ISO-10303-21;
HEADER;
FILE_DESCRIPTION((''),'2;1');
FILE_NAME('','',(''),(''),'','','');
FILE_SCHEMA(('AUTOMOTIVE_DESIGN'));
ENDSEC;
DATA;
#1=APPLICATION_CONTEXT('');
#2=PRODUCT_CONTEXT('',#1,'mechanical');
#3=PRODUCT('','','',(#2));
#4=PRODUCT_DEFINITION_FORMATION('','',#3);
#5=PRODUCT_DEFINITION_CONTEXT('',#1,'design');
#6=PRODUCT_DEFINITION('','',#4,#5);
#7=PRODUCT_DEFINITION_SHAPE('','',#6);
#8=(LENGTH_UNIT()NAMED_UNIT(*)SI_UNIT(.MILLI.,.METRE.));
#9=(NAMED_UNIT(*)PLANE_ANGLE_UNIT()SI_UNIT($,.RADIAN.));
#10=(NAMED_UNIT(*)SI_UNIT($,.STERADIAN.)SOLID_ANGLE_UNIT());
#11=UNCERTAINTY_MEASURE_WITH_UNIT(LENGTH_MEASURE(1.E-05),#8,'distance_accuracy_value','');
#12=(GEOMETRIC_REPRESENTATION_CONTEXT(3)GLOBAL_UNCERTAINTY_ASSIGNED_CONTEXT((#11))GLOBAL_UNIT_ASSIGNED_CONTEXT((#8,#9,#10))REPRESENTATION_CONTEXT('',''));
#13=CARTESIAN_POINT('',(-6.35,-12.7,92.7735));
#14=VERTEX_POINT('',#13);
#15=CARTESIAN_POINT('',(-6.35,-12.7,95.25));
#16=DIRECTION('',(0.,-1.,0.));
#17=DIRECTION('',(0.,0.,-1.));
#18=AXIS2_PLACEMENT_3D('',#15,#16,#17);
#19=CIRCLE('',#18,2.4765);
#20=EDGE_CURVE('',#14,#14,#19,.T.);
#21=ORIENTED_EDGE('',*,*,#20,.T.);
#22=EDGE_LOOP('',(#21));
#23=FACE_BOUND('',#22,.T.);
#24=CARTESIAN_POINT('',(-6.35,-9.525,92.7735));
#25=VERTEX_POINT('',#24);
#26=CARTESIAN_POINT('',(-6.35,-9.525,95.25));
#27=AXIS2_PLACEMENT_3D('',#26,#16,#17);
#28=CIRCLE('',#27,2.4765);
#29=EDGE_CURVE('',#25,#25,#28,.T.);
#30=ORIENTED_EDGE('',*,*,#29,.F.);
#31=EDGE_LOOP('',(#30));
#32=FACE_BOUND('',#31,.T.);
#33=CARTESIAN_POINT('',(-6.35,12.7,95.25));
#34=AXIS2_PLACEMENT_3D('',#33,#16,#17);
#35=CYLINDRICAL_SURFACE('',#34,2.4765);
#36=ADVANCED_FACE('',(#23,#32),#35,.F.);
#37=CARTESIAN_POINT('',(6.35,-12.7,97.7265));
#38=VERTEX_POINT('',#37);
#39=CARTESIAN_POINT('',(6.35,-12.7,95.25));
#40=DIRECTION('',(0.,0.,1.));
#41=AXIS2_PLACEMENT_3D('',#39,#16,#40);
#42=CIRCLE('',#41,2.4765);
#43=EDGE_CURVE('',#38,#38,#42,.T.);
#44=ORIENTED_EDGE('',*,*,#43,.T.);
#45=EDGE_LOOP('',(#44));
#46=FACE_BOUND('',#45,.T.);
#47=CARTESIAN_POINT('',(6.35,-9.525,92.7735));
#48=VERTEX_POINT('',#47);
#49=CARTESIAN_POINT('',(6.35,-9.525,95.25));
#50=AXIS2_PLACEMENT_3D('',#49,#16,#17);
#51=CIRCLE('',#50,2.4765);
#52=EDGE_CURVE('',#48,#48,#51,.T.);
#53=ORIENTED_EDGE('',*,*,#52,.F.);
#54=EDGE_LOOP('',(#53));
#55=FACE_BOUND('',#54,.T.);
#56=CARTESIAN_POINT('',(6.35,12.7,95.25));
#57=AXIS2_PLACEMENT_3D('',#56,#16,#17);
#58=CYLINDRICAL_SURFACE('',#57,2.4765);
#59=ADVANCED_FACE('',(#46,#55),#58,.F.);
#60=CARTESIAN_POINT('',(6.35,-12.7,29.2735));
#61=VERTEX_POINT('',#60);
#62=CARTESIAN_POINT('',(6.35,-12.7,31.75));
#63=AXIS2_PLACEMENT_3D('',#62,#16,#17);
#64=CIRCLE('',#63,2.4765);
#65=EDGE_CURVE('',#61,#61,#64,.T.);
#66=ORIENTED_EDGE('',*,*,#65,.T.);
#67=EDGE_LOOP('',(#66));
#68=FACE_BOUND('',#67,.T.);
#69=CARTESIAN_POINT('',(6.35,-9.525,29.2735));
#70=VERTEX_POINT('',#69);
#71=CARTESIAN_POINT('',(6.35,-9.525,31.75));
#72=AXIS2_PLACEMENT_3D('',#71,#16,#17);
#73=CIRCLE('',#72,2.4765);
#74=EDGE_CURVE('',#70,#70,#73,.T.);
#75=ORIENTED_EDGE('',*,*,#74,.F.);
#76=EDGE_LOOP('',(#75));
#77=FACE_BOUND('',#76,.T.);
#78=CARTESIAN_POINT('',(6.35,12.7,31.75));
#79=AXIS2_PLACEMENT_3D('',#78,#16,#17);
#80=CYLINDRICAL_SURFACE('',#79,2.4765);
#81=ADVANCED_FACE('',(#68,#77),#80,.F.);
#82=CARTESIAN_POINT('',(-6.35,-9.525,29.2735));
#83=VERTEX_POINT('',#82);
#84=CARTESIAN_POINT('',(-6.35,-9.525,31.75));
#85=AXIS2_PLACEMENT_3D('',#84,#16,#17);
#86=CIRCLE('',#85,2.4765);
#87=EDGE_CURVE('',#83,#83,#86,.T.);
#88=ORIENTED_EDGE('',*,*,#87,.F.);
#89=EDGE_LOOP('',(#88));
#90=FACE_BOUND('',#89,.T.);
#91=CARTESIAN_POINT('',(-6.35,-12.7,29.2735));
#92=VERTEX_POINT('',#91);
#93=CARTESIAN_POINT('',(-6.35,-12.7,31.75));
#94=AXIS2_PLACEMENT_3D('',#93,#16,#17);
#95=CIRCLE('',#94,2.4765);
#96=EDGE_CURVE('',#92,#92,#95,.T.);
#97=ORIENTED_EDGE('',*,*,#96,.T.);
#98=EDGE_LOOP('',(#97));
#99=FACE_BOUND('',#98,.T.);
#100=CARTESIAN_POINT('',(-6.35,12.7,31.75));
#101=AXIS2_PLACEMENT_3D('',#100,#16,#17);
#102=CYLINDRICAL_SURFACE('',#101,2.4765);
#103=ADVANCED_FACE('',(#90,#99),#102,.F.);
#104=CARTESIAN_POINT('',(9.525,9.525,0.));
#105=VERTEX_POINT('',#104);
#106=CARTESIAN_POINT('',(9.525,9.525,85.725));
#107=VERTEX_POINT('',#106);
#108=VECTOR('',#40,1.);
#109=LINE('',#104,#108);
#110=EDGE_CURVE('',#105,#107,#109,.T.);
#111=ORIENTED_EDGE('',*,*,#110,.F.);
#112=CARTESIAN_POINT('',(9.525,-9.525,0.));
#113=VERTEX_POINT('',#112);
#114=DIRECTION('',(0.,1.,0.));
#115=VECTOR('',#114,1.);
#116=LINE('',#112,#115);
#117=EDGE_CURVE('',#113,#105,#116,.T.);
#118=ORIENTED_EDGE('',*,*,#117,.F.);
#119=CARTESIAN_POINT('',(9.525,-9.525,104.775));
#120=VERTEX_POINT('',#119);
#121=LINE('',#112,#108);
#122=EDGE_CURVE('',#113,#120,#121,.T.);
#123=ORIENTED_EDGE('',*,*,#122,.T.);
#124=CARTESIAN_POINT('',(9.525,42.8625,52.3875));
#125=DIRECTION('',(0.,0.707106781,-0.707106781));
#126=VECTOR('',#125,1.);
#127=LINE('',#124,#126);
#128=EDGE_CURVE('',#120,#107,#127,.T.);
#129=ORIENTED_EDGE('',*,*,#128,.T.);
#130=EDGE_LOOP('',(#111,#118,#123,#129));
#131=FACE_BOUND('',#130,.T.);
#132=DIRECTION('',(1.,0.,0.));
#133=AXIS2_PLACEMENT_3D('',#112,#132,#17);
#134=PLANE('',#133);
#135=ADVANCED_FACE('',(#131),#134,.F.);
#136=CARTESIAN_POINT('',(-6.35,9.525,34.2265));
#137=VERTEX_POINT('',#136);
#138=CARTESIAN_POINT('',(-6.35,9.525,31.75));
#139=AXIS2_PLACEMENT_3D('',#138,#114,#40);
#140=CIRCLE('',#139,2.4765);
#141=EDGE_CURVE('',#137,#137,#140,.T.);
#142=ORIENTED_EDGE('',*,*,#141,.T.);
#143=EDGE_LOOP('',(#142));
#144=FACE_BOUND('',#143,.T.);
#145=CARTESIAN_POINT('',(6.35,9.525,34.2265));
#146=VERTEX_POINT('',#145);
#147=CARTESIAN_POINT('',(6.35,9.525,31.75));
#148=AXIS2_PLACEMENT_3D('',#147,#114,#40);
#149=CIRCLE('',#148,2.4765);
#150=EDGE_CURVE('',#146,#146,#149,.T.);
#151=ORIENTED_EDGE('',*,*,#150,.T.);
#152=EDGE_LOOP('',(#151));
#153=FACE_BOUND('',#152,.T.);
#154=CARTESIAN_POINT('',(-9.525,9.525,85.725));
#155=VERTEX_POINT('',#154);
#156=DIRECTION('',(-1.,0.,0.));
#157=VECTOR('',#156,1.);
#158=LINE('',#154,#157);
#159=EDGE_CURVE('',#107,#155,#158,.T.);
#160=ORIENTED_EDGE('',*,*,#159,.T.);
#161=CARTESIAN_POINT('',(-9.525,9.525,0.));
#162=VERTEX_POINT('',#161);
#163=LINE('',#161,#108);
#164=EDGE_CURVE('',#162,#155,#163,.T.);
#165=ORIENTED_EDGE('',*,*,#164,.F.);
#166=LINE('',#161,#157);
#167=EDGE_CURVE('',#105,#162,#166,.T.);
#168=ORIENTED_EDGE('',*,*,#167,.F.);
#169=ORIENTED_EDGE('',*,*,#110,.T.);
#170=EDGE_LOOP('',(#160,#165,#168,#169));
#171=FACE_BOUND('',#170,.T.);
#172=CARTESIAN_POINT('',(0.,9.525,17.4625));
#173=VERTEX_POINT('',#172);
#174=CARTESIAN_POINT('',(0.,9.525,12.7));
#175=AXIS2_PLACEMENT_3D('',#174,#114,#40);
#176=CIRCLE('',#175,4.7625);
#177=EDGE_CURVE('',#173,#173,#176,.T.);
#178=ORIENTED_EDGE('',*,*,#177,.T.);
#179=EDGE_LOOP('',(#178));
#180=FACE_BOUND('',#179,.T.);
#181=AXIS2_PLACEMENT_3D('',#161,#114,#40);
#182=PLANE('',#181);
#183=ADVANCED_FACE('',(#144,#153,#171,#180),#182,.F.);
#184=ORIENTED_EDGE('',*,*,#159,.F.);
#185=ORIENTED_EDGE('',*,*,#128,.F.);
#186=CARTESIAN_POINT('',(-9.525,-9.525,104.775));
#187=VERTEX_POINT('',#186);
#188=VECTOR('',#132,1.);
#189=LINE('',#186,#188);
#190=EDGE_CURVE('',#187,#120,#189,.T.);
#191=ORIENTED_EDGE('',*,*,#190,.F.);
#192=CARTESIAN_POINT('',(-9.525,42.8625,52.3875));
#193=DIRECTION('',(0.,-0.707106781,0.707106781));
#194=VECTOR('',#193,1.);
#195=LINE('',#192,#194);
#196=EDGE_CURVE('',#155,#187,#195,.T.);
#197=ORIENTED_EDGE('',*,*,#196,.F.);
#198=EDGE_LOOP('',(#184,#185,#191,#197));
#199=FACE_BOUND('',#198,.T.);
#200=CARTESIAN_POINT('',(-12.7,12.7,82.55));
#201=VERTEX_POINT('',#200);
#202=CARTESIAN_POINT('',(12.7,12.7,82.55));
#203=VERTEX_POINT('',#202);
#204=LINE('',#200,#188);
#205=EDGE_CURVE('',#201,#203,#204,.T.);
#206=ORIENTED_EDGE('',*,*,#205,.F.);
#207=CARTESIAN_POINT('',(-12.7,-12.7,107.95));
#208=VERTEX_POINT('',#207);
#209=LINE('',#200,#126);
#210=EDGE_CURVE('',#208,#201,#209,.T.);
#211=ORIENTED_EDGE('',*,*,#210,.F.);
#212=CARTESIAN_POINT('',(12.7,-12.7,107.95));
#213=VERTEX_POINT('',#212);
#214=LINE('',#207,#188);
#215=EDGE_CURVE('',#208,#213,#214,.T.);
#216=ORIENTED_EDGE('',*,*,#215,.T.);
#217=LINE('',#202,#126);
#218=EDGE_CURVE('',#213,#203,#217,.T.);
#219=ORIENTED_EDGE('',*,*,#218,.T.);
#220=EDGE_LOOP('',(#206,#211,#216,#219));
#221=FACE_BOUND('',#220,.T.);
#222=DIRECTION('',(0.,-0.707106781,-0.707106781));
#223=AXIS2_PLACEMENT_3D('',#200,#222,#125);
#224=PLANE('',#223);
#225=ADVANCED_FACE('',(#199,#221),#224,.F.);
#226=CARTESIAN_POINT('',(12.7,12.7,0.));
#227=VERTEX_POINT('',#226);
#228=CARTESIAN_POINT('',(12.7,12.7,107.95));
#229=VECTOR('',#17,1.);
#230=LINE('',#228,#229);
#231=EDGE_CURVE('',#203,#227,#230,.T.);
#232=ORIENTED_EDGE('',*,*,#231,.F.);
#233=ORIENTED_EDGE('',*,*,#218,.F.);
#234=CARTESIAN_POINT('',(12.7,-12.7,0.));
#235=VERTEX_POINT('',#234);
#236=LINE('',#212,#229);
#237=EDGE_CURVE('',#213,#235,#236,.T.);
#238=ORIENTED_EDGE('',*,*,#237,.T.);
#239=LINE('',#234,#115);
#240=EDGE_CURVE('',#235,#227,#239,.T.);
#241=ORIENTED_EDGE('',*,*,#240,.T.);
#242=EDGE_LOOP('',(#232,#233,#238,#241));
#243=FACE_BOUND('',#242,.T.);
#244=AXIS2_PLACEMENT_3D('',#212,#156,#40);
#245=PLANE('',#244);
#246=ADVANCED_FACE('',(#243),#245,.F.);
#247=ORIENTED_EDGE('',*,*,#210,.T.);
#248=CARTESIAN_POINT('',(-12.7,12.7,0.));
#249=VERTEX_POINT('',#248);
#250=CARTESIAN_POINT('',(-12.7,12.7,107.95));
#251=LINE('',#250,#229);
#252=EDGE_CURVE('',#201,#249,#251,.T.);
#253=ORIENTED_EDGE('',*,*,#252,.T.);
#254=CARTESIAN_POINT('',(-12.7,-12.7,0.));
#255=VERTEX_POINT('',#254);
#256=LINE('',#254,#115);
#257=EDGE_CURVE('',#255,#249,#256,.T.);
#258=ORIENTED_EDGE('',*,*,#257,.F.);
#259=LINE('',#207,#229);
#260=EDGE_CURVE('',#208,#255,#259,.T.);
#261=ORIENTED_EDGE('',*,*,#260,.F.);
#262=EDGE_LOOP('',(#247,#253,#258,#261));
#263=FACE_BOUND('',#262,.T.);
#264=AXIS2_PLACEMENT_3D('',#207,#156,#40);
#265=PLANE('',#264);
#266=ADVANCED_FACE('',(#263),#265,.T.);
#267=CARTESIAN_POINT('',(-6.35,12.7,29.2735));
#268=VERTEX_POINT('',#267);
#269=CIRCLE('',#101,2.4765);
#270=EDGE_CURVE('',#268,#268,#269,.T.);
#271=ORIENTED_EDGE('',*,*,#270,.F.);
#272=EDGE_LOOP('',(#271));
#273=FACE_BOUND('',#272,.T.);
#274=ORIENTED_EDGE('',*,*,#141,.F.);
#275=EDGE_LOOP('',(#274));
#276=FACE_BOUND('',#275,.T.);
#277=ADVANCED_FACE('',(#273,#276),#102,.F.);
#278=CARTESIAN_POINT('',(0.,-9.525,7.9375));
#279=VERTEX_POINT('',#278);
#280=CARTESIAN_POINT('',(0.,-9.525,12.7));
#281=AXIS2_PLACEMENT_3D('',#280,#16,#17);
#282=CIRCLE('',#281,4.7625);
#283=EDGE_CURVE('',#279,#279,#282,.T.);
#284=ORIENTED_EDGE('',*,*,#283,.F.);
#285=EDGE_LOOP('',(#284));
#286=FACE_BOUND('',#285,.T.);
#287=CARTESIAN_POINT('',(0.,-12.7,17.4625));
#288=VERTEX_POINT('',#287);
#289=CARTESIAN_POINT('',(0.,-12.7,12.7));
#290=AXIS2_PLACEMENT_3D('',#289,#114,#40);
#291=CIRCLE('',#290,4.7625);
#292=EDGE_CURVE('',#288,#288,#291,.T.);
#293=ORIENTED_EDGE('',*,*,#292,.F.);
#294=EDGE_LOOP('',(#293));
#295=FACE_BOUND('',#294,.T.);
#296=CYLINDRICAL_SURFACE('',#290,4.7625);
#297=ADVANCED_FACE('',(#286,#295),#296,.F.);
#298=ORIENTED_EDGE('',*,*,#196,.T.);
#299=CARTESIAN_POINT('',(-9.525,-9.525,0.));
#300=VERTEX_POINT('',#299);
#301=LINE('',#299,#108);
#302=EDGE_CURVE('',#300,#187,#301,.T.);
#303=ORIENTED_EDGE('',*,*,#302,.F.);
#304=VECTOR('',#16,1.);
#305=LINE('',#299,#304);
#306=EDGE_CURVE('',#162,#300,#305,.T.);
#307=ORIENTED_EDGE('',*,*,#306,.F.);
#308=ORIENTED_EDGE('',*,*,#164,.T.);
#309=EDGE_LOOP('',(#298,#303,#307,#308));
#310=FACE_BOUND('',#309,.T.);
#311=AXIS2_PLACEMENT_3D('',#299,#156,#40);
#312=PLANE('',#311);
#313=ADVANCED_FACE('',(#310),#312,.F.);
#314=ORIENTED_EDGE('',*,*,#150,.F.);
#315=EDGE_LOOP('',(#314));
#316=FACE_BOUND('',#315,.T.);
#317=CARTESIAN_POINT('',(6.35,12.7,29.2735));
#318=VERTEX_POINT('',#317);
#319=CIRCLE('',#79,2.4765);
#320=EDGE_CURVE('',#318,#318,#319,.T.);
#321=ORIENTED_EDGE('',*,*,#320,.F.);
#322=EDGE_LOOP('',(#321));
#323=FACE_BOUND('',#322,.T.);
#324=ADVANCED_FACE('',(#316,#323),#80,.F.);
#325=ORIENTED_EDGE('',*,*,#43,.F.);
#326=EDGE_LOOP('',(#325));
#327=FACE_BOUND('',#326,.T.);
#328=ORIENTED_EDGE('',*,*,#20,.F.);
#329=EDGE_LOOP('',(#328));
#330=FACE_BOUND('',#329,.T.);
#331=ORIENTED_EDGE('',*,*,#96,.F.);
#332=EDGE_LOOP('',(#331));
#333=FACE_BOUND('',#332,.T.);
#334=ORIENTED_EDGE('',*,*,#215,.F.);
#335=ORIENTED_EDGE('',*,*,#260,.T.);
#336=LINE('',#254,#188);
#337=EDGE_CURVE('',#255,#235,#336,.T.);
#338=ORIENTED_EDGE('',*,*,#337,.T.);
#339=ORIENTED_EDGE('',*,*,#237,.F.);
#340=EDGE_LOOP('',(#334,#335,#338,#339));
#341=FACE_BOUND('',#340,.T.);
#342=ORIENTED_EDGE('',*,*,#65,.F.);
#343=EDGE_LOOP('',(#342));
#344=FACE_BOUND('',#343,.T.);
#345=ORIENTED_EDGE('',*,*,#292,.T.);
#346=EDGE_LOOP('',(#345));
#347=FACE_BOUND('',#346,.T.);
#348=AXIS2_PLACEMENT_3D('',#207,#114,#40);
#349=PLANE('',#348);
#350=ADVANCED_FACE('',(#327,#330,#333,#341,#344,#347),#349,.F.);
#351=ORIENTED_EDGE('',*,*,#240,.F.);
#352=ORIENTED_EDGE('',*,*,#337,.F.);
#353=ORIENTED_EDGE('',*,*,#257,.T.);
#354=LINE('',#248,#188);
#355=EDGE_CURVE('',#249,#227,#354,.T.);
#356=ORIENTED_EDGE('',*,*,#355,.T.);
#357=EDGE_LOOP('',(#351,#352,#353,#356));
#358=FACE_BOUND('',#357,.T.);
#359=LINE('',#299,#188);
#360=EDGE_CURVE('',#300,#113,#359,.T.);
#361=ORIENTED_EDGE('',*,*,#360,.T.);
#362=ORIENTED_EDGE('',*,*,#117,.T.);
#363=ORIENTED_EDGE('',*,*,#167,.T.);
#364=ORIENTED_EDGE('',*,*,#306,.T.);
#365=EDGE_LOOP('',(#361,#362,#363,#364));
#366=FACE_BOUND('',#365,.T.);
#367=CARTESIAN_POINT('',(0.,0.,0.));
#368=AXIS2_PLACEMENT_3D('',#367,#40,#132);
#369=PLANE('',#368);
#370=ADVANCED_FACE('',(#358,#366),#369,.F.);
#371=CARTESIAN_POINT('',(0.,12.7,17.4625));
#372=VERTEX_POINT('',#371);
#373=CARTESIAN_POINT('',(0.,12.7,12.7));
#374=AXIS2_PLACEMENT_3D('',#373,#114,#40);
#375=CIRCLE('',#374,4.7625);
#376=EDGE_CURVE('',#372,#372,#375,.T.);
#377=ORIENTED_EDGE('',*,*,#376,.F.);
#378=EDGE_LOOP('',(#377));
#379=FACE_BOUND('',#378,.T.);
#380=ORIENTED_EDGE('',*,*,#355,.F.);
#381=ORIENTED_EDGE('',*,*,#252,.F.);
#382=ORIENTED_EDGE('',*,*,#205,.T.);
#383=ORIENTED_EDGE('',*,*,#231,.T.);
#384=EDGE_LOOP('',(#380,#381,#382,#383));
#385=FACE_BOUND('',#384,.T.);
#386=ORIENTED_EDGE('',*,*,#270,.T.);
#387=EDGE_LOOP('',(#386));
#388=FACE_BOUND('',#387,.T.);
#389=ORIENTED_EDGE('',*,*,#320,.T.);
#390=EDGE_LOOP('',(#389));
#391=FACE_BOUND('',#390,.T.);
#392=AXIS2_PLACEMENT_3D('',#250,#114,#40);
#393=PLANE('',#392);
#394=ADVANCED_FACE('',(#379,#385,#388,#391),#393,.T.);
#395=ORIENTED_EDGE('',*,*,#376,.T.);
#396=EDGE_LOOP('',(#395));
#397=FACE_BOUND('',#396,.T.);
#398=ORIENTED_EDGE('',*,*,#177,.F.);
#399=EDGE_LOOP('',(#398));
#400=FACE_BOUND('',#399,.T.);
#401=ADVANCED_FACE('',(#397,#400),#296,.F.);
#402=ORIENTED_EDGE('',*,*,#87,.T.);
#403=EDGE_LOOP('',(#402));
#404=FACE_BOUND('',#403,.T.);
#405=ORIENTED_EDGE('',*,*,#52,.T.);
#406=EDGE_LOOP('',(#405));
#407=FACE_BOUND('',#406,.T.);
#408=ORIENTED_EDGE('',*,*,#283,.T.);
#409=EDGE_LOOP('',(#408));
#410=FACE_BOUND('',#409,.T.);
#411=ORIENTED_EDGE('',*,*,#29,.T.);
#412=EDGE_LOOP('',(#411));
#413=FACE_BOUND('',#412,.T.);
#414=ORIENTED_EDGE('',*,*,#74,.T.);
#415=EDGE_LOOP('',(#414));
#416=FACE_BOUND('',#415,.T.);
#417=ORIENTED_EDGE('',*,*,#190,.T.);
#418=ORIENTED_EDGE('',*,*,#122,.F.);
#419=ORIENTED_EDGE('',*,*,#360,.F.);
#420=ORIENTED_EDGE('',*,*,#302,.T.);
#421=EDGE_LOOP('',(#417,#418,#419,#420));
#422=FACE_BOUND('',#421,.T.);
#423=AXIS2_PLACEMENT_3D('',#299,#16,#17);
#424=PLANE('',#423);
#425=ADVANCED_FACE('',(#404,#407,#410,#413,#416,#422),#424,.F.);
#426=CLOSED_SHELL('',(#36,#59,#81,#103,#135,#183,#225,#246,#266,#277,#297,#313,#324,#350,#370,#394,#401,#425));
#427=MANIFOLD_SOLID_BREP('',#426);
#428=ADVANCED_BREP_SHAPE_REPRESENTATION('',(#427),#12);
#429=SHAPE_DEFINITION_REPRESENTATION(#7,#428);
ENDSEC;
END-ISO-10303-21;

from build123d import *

# Parameters (mm, degrees)
SKETCH1_W           = 25.4
SKETCH1_H           = 25.4
BOSS_EXTRUDE1_DEPTH = 107.95
SKETCH2_W           = 19.05
SKETCH2_H           = 19.05
CUT_EXTRUDE1_DEPTH  = 110.433918417
CUT_EXTRUDE2_DEPTH  = 112.622813528
SKETCH5_R           = 2.4765
CUT_EXTRUDE3_DEPTH  = 112.622813528
SKETCH7_R           = 4.7625
CUT_EXTRUDE5_DEPTH  = 112.622813528
SKETCH8_R           = 2.4765
CUT_EXTRUDE6_DEPTH  = 112.622813528


with BuildPart() as part:
    # Sketch1 → Boss-Extrude1 (new body)
    with BuildSketch(Plane.XY):
        Rectangle(SKETCH1_W, SKETCH1_H)
    extrude(amount=BOSS_EXTRUDE1_DEPTH)

    # Sketch2 → Cut-Extrude1 (cut, through all)
    with BuildSketch(Plane.XY.offset(107.95)):
        Rectangle(SKETCH2_W, SKETCH2_H)
    extrude(amount=-CUT_EXTRUDE1_DEPTH, mode=Mode.SUBTRACT)

    # Sketch4 → Cut-Extrude2 (cut, through all)
    with BuildSketch(Plane(origin=(12.7, 0, 0), x_dir=(0, 0, -1), z_dir=(1, 0, 0))):
        Polygon((-107.95, 12.7), (-82.55, 12.7), (-107.95, -12.7), align=None)
    extrude(amount=-CUT_EXTRUDE2_DEPTH, mode=Mode.SUBTRACT)

    # Sketch5 → Cut-Extrude3 (cut, through all)
    with BuildSketch(Plane.XZ.offset(12.7)):
        with Locations(Location((-6.35, 95.25, 0), (0, 0, 270))):
            Circle(SKETCH5_R)
        with Locations(Location((6.35, 95.25, 0), (0, 0, 270))):
            Circle(SKETCH5_R)
    extrude(amount=-CUT_EXTRUDE3_DEPTH, mode=Mode.SUBTRACT)

    # Sketch7 → Cut-Extrude5 (cut, through all)
    with BuildSketch(Plane(origin=(0, 12.7, 0), x_dir=(1, 0, 0), z_dir=(0, 1, 0))):
        with Locations(Location((0, -12.7, 0), (0, 0, 270))):
            Circle(SKETCH7_R)
    extrude(amount=-CUT_EXTRUDE5_DEPTH, mode=Mode.SUBTRACT)

    # Sketch8 → Cut-Extrude6 (cut, through all)
    with BuildSketch(Plane.XZ.offset(12.7)):
        with Locations(Location((6.35, 31.75, 0), (0, 0, 270))):
            Circle(SKETCH8_R)
        with Locations(Location((-6.35, 31.75, 0), (0, 0, 270))):
            Circle(SKETCH8_R)
    extrude(amount=-CUT_EXTRUDE6_DEPTH, mode=Mode.SUBTRACT)


solid = part.part
